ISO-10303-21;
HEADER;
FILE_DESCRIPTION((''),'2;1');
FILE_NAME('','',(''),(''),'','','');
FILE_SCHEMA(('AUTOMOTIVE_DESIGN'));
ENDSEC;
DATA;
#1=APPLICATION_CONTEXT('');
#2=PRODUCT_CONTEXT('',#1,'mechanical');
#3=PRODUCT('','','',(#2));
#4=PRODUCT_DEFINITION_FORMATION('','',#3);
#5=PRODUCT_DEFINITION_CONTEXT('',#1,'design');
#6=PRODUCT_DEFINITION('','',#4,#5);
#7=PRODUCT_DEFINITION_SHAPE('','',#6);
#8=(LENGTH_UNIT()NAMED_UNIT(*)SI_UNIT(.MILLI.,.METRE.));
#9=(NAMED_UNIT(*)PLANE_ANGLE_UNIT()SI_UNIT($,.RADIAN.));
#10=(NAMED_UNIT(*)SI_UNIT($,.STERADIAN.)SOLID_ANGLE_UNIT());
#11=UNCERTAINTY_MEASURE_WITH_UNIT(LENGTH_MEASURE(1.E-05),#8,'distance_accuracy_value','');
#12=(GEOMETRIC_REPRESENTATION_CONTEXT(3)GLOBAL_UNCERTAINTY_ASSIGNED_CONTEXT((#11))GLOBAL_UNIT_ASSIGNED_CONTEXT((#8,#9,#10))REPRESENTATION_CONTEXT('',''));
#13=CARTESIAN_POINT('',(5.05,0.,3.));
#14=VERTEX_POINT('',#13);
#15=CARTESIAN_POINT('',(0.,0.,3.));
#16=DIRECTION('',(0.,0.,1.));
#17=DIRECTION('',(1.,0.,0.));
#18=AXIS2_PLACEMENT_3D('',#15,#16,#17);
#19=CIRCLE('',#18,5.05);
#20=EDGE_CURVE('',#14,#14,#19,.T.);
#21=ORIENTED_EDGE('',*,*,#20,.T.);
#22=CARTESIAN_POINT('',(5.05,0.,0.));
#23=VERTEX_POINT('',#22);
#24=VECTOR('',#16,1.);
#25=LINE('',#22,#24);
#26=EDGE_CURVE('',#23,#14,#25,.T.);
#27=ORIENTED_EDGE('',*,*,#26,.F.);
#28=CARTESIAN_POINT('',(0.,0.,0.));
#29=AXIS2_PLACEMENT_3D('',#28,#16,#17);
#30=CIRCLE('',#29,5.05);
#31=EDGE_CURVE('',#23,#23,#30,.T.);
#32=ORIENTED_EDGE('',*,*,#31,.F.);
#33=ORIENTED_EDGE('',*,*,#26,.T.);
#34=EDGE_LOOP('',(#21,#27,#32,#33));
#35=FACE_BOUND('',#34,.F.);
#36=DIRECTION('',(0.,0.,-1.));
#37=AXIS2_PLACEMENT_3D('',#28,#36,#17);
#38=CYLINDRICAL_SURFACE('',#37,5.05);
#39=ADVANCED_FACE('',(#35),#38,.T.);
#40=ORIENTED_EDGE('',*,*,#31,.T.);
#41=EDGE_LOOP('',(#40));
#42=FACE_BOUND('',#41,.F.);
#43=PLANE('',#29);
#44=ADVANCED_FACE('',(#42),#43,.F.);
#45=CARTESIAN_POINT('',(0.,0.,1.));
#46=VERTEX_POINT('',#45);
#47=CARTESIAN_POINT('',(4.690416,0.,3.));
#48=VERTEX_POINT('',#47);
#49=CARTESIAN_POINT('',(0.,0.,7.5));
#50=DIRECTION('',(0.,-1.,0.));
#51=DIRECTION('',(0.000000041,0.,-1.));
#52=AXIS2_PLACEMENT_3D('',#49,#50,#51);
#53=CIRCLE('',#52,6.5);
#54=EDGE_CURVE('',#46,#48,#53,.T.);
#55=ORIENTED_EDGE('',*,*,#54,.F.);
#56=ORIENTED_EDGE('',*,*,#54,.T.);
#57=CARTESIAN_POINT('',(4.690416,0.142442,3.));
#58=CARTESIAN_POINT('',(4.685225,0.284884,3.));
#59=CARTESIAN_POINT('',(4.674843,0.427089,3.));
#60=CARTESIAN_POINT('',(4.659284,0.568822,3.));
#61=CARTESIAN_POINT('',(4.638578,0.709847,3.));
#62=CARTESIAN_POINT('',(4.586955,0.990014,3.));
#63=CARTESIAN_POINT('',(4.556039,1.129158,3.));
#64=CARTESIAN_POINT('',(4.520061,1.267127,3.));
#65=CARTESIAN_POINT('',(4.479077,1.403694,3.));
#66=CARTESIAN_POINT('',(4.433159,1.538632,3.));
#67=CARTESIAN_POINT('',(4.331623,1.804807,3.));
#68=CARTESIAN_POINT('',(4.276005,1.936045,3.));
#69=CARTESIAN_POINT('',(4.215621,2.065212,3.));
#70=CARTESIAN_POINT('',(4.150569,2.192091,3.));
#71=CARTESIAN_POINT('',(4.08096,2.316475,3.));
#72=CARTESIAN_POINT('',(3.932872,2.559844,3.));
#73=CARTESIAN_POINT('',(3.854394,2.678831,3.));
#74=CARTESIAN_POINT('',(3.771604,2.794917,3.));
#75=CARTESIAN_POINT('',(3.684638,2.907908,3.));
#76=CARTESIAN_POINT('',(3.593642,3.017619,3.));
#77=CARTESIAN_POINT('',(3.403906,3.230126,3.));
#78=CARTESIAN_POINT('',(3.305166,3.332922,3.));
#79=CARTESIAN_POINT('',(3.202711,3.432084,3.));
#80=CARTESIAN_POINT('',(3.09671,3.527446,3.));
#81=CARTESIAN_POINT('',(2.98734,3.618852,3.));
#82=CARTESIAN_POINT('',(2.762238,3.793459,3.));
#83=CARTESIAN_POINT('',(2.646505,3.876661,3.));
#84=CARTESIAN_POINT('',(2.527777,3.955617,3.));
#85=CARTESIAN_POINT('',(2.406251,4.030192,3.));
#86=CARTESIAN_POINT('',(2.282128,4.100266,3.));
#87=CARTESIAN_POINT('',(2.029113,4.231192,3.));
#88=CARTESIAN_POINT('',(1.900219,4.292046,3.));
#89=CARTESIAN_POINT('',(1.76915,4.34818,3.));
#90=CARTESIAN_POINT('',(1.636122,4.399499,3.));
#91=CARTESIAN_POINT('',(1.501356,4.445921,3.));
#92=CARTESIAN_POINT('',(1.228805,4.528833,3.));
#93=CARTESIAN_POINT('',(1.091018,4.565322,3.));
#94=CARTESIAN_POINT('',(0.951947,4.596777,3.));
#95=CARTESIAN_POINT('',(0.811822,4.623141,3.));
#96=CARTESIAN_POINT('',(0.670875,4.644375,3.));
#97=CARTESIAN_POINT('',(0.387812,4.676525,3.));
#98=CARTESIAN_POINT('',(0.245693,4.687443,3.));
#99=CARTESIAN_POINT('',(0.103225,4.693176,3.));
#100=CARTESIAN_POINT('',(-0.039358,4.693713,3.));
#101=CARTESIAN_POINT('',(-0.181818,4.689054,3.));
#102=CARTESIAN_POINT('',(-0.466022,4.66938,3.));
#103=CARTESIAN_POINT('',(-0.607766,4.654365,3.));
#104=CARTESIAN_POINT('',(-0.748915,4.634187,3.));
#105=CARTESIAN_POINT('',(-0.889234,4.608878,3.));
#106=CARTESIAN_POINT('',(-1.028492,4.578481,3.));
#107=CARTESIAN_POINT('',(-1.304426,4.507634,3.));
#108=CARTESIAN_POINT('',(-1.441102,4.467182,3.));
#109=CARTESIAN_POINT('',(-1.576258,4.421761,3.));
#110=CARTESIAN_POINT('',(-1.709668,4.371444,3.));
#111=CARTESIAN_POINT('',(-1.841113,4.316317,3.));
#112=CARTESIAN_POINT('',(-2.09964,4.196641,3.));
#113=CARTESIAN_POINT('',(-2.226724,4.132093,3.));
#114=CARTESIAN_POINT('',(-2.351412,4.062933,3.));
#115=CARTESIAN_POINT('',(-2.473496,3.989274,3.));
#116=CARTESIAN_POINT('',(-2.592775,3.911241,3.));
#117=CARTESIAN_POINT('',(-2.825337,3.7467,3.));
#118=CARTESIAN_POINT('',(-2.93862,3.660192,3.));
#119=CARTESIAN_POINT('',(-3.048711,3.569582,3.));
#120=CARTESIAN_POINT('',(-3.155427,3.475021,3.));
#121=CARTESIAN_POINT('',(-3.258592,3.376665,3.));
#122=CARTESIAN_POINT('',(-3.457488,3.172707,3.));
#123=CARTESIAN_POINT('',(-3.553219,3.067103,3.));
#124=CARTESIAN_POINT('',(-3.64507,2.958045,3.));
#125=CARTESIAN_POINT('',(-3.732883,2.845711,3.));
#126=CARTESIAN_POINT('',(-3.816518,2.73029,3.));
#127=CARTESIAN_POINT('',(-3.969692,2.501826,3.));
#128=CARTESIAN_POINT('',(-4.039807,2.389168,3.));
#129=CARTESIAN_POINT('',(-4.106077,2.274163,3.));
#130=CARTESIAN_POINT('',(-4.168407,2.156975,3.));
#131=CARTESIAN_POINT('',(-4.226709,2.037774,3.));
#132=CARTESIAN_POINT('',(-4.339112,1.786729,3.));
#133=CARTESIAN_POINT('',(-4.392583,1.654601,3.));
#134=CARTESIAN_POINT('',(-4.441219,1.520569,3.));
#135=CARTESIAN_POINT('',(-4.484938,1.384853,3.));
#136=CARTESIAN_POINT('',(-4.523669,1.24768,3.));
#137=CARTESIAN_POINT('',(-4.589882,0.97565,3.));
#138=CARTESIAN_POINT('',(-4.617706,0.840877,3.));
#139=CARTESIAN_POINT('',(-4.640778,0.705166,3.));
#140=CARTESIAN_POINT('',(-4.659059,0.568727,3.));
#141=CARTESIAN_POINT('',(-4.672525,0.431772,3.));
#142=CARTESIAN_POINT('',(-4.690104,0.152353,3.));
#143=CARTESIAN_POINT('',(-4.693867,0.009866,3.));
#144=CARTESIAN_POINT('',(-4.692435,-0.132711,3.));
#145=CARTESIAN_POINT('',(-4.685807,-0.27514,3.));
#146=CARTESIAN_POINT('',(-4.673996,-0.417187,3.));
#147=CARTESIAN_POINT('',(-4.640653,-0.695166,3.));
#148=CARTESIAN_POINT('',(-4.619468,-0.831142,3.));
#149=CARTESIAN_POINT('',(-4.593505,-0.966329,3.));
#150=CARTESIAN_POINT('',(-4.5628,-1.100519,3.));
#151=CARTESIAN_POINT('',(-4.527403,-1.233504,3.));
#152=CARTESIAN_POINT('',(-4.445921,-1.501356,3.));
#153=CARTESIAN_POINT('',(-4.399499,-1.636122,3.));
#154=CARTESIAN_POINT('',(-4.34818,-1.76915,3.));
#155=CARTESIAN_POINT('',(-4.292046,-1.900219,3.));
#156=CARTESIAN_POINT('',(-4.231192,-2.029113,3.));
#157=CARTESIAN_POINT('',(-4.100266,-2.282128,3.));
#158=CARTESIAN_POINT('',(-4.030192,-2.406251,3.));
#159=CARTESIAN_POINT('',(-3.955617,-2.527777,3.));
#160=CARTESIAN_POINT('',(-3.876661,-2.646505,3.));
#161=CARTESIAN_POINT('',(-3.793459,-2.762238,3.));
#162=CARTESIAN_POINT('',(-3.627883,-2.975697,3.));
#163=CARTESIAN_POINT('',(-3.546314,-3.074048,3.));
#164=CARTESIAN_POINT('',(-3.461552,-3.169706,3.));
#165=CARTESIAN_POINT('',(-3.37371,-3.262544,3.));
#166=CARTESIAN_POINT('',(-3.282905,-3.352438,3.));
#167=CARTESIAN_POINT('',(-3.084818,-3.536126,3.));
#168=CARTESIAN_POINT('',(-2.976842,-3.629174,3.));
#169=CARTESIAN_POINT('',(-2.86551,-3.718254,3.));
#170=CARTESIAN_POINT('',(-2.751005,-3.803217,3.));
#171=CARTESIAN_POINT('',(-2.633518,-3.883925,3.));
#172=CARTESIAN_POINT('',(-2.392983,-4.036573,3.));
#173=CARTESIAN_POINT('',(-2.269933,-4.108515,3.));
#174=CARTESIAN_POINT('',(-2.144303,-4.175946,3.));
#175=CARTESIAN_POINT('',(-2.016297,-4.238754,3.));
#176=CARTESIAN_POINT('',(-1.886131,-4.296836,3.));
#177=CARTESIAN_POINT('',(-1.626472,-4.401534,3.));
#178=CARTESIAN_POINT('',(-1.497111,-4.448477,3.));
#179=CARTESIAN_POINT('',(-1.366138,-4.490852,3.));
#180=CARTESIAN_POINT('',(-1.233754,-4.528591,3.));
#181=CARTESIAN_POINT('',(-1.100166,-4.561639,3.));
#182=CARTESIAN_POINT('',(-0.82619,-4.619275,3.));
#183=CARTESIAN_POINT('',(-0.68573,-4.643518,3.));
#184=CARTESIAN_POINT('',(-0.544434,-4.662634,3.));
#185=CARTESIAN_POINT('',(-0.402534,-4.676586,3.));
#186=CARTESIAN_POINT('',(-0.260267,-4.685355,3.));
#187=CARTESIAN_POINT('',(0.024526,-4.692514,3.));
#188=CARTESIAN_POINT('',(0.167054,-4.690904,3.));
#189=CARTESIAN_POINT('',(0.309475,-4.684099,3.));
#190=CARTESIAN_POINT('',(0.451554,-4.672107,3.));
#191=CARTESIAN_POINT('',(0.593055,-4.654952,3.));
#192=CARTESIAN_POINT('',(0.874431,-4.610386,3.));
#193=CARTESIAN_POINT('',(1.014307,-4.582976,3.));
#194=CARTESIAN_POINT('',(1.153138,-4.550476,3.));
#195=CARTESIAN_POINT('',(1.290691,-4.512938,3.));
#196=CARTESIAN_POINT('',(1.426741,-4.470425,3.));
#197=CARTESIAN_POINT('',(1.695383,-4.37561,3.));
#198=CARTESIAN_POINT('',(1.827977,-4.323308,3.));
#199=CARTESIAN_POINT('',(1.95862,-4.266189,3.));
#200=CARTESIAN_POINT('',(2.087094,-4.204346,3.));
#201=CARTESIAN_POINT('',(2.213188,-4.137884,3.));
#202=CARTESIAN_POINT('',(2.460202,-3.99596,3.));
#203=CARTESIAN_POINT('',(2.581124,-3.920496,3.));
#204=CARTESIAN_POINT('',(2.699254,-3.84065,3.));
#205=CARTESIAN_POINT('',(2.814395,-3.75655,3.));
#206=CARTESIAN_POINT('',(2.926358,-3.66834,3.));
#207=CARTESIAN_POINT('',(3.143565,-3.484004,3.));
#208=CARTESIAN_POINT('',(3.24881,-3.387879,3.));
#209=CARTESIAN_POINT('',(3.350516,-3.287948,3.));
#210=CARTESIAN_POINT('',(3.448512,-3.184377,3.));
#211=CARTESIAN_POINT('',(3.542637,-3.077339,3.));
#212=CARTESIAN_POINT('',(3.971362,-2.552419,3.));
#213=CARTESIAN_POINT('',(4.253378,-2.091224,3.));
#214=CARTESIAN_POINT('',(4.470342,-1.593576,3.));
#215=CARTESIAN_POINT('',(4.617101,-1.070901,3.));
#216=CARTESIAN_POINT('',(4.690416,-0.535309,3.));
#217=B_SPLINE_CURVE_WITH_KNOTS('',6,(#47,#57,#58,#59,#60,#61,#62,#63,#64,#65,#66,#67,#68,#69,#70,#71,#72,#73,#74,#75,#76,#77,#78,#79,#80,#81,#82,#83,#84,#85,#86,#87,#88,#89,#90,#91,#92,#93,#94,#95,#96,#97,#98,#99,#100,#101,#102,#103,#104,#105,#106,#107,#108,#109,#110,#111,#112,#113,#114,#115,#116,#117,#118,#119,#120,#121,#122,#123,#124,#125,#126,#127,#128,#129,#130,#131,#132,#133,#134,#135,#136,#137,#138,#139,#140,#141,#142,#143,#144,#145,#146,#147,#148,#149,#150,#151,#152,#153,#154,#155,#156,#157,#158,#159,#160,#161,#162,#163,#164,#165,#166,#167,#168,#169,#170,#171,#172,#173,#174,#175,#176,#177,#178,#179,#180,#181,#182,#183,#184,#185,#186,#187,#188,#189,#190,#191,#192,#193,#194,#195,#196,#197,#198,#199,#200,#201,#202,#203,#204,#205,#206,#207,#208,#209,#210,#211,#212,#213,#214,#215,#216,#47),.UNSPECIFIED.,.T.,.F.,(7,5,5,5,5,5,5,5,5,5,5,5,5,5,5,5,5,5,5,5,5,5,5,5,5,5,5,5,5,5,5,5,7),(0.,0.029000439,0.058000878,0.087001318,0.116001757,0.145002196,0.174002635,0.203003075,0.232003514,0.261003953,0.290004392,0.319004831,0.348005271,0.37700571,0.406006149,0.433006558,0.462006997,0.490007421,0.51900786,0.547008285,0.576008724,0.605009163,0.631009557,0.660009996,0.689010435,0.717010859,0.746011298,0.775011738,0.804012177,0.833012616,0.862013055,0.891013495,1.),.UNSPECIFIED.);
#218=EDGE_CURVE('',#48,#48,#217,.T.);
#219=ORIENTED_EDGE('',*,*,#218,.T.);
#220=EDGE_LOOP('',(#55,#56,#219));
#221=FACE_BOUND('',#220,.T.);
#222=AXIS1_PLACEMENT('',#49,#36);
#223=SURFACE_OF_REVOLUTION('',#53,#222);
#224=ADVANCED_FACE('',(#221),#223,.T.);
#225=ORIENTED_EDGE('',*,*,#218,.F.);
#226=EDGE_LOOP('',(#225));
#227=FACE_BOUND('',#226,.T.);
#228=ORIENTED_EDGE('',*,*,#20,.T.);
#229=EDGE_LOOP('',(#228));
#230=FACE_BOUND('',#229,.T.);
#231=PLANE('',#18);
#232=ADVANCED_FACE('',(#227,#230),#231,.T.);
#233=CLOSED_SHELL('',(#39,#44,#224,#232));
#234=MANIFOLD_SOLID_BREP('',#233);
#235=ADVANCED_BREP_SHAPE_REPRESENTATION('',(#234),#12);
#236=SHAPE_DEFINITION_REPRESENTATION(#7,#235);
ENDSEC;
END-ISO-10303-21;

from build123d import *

# Parameters (mm, degrees)
F0_R     = 5.05
F1_DEPTH = 3


with BuildPart() as f1:
    # F0 (on Top) → F1 (new body)
    with BuildSketch(Plane.XY):
        Circle(F0_R)
    extrude(amount=F1_DEPTH)

    # F2 (on Front) → F3 (revolve, cut)
    with BuildSketch(Plane.XZ):
        with BuildLine():
            ThreePointArc((0, 1), (4.596194, 2.903806), (6.5, 7.5))
            ThreePointArc((6.5, 7.5), (4.596194, 12.096194), (0, 14))
            Line((0, 14), (0, 1))
        make_face()
    revolve(axis=Axis((0, 0, 7.5), (0, 0, -1)), mode=Mode.SUBTRACT)


solid = f1.part
